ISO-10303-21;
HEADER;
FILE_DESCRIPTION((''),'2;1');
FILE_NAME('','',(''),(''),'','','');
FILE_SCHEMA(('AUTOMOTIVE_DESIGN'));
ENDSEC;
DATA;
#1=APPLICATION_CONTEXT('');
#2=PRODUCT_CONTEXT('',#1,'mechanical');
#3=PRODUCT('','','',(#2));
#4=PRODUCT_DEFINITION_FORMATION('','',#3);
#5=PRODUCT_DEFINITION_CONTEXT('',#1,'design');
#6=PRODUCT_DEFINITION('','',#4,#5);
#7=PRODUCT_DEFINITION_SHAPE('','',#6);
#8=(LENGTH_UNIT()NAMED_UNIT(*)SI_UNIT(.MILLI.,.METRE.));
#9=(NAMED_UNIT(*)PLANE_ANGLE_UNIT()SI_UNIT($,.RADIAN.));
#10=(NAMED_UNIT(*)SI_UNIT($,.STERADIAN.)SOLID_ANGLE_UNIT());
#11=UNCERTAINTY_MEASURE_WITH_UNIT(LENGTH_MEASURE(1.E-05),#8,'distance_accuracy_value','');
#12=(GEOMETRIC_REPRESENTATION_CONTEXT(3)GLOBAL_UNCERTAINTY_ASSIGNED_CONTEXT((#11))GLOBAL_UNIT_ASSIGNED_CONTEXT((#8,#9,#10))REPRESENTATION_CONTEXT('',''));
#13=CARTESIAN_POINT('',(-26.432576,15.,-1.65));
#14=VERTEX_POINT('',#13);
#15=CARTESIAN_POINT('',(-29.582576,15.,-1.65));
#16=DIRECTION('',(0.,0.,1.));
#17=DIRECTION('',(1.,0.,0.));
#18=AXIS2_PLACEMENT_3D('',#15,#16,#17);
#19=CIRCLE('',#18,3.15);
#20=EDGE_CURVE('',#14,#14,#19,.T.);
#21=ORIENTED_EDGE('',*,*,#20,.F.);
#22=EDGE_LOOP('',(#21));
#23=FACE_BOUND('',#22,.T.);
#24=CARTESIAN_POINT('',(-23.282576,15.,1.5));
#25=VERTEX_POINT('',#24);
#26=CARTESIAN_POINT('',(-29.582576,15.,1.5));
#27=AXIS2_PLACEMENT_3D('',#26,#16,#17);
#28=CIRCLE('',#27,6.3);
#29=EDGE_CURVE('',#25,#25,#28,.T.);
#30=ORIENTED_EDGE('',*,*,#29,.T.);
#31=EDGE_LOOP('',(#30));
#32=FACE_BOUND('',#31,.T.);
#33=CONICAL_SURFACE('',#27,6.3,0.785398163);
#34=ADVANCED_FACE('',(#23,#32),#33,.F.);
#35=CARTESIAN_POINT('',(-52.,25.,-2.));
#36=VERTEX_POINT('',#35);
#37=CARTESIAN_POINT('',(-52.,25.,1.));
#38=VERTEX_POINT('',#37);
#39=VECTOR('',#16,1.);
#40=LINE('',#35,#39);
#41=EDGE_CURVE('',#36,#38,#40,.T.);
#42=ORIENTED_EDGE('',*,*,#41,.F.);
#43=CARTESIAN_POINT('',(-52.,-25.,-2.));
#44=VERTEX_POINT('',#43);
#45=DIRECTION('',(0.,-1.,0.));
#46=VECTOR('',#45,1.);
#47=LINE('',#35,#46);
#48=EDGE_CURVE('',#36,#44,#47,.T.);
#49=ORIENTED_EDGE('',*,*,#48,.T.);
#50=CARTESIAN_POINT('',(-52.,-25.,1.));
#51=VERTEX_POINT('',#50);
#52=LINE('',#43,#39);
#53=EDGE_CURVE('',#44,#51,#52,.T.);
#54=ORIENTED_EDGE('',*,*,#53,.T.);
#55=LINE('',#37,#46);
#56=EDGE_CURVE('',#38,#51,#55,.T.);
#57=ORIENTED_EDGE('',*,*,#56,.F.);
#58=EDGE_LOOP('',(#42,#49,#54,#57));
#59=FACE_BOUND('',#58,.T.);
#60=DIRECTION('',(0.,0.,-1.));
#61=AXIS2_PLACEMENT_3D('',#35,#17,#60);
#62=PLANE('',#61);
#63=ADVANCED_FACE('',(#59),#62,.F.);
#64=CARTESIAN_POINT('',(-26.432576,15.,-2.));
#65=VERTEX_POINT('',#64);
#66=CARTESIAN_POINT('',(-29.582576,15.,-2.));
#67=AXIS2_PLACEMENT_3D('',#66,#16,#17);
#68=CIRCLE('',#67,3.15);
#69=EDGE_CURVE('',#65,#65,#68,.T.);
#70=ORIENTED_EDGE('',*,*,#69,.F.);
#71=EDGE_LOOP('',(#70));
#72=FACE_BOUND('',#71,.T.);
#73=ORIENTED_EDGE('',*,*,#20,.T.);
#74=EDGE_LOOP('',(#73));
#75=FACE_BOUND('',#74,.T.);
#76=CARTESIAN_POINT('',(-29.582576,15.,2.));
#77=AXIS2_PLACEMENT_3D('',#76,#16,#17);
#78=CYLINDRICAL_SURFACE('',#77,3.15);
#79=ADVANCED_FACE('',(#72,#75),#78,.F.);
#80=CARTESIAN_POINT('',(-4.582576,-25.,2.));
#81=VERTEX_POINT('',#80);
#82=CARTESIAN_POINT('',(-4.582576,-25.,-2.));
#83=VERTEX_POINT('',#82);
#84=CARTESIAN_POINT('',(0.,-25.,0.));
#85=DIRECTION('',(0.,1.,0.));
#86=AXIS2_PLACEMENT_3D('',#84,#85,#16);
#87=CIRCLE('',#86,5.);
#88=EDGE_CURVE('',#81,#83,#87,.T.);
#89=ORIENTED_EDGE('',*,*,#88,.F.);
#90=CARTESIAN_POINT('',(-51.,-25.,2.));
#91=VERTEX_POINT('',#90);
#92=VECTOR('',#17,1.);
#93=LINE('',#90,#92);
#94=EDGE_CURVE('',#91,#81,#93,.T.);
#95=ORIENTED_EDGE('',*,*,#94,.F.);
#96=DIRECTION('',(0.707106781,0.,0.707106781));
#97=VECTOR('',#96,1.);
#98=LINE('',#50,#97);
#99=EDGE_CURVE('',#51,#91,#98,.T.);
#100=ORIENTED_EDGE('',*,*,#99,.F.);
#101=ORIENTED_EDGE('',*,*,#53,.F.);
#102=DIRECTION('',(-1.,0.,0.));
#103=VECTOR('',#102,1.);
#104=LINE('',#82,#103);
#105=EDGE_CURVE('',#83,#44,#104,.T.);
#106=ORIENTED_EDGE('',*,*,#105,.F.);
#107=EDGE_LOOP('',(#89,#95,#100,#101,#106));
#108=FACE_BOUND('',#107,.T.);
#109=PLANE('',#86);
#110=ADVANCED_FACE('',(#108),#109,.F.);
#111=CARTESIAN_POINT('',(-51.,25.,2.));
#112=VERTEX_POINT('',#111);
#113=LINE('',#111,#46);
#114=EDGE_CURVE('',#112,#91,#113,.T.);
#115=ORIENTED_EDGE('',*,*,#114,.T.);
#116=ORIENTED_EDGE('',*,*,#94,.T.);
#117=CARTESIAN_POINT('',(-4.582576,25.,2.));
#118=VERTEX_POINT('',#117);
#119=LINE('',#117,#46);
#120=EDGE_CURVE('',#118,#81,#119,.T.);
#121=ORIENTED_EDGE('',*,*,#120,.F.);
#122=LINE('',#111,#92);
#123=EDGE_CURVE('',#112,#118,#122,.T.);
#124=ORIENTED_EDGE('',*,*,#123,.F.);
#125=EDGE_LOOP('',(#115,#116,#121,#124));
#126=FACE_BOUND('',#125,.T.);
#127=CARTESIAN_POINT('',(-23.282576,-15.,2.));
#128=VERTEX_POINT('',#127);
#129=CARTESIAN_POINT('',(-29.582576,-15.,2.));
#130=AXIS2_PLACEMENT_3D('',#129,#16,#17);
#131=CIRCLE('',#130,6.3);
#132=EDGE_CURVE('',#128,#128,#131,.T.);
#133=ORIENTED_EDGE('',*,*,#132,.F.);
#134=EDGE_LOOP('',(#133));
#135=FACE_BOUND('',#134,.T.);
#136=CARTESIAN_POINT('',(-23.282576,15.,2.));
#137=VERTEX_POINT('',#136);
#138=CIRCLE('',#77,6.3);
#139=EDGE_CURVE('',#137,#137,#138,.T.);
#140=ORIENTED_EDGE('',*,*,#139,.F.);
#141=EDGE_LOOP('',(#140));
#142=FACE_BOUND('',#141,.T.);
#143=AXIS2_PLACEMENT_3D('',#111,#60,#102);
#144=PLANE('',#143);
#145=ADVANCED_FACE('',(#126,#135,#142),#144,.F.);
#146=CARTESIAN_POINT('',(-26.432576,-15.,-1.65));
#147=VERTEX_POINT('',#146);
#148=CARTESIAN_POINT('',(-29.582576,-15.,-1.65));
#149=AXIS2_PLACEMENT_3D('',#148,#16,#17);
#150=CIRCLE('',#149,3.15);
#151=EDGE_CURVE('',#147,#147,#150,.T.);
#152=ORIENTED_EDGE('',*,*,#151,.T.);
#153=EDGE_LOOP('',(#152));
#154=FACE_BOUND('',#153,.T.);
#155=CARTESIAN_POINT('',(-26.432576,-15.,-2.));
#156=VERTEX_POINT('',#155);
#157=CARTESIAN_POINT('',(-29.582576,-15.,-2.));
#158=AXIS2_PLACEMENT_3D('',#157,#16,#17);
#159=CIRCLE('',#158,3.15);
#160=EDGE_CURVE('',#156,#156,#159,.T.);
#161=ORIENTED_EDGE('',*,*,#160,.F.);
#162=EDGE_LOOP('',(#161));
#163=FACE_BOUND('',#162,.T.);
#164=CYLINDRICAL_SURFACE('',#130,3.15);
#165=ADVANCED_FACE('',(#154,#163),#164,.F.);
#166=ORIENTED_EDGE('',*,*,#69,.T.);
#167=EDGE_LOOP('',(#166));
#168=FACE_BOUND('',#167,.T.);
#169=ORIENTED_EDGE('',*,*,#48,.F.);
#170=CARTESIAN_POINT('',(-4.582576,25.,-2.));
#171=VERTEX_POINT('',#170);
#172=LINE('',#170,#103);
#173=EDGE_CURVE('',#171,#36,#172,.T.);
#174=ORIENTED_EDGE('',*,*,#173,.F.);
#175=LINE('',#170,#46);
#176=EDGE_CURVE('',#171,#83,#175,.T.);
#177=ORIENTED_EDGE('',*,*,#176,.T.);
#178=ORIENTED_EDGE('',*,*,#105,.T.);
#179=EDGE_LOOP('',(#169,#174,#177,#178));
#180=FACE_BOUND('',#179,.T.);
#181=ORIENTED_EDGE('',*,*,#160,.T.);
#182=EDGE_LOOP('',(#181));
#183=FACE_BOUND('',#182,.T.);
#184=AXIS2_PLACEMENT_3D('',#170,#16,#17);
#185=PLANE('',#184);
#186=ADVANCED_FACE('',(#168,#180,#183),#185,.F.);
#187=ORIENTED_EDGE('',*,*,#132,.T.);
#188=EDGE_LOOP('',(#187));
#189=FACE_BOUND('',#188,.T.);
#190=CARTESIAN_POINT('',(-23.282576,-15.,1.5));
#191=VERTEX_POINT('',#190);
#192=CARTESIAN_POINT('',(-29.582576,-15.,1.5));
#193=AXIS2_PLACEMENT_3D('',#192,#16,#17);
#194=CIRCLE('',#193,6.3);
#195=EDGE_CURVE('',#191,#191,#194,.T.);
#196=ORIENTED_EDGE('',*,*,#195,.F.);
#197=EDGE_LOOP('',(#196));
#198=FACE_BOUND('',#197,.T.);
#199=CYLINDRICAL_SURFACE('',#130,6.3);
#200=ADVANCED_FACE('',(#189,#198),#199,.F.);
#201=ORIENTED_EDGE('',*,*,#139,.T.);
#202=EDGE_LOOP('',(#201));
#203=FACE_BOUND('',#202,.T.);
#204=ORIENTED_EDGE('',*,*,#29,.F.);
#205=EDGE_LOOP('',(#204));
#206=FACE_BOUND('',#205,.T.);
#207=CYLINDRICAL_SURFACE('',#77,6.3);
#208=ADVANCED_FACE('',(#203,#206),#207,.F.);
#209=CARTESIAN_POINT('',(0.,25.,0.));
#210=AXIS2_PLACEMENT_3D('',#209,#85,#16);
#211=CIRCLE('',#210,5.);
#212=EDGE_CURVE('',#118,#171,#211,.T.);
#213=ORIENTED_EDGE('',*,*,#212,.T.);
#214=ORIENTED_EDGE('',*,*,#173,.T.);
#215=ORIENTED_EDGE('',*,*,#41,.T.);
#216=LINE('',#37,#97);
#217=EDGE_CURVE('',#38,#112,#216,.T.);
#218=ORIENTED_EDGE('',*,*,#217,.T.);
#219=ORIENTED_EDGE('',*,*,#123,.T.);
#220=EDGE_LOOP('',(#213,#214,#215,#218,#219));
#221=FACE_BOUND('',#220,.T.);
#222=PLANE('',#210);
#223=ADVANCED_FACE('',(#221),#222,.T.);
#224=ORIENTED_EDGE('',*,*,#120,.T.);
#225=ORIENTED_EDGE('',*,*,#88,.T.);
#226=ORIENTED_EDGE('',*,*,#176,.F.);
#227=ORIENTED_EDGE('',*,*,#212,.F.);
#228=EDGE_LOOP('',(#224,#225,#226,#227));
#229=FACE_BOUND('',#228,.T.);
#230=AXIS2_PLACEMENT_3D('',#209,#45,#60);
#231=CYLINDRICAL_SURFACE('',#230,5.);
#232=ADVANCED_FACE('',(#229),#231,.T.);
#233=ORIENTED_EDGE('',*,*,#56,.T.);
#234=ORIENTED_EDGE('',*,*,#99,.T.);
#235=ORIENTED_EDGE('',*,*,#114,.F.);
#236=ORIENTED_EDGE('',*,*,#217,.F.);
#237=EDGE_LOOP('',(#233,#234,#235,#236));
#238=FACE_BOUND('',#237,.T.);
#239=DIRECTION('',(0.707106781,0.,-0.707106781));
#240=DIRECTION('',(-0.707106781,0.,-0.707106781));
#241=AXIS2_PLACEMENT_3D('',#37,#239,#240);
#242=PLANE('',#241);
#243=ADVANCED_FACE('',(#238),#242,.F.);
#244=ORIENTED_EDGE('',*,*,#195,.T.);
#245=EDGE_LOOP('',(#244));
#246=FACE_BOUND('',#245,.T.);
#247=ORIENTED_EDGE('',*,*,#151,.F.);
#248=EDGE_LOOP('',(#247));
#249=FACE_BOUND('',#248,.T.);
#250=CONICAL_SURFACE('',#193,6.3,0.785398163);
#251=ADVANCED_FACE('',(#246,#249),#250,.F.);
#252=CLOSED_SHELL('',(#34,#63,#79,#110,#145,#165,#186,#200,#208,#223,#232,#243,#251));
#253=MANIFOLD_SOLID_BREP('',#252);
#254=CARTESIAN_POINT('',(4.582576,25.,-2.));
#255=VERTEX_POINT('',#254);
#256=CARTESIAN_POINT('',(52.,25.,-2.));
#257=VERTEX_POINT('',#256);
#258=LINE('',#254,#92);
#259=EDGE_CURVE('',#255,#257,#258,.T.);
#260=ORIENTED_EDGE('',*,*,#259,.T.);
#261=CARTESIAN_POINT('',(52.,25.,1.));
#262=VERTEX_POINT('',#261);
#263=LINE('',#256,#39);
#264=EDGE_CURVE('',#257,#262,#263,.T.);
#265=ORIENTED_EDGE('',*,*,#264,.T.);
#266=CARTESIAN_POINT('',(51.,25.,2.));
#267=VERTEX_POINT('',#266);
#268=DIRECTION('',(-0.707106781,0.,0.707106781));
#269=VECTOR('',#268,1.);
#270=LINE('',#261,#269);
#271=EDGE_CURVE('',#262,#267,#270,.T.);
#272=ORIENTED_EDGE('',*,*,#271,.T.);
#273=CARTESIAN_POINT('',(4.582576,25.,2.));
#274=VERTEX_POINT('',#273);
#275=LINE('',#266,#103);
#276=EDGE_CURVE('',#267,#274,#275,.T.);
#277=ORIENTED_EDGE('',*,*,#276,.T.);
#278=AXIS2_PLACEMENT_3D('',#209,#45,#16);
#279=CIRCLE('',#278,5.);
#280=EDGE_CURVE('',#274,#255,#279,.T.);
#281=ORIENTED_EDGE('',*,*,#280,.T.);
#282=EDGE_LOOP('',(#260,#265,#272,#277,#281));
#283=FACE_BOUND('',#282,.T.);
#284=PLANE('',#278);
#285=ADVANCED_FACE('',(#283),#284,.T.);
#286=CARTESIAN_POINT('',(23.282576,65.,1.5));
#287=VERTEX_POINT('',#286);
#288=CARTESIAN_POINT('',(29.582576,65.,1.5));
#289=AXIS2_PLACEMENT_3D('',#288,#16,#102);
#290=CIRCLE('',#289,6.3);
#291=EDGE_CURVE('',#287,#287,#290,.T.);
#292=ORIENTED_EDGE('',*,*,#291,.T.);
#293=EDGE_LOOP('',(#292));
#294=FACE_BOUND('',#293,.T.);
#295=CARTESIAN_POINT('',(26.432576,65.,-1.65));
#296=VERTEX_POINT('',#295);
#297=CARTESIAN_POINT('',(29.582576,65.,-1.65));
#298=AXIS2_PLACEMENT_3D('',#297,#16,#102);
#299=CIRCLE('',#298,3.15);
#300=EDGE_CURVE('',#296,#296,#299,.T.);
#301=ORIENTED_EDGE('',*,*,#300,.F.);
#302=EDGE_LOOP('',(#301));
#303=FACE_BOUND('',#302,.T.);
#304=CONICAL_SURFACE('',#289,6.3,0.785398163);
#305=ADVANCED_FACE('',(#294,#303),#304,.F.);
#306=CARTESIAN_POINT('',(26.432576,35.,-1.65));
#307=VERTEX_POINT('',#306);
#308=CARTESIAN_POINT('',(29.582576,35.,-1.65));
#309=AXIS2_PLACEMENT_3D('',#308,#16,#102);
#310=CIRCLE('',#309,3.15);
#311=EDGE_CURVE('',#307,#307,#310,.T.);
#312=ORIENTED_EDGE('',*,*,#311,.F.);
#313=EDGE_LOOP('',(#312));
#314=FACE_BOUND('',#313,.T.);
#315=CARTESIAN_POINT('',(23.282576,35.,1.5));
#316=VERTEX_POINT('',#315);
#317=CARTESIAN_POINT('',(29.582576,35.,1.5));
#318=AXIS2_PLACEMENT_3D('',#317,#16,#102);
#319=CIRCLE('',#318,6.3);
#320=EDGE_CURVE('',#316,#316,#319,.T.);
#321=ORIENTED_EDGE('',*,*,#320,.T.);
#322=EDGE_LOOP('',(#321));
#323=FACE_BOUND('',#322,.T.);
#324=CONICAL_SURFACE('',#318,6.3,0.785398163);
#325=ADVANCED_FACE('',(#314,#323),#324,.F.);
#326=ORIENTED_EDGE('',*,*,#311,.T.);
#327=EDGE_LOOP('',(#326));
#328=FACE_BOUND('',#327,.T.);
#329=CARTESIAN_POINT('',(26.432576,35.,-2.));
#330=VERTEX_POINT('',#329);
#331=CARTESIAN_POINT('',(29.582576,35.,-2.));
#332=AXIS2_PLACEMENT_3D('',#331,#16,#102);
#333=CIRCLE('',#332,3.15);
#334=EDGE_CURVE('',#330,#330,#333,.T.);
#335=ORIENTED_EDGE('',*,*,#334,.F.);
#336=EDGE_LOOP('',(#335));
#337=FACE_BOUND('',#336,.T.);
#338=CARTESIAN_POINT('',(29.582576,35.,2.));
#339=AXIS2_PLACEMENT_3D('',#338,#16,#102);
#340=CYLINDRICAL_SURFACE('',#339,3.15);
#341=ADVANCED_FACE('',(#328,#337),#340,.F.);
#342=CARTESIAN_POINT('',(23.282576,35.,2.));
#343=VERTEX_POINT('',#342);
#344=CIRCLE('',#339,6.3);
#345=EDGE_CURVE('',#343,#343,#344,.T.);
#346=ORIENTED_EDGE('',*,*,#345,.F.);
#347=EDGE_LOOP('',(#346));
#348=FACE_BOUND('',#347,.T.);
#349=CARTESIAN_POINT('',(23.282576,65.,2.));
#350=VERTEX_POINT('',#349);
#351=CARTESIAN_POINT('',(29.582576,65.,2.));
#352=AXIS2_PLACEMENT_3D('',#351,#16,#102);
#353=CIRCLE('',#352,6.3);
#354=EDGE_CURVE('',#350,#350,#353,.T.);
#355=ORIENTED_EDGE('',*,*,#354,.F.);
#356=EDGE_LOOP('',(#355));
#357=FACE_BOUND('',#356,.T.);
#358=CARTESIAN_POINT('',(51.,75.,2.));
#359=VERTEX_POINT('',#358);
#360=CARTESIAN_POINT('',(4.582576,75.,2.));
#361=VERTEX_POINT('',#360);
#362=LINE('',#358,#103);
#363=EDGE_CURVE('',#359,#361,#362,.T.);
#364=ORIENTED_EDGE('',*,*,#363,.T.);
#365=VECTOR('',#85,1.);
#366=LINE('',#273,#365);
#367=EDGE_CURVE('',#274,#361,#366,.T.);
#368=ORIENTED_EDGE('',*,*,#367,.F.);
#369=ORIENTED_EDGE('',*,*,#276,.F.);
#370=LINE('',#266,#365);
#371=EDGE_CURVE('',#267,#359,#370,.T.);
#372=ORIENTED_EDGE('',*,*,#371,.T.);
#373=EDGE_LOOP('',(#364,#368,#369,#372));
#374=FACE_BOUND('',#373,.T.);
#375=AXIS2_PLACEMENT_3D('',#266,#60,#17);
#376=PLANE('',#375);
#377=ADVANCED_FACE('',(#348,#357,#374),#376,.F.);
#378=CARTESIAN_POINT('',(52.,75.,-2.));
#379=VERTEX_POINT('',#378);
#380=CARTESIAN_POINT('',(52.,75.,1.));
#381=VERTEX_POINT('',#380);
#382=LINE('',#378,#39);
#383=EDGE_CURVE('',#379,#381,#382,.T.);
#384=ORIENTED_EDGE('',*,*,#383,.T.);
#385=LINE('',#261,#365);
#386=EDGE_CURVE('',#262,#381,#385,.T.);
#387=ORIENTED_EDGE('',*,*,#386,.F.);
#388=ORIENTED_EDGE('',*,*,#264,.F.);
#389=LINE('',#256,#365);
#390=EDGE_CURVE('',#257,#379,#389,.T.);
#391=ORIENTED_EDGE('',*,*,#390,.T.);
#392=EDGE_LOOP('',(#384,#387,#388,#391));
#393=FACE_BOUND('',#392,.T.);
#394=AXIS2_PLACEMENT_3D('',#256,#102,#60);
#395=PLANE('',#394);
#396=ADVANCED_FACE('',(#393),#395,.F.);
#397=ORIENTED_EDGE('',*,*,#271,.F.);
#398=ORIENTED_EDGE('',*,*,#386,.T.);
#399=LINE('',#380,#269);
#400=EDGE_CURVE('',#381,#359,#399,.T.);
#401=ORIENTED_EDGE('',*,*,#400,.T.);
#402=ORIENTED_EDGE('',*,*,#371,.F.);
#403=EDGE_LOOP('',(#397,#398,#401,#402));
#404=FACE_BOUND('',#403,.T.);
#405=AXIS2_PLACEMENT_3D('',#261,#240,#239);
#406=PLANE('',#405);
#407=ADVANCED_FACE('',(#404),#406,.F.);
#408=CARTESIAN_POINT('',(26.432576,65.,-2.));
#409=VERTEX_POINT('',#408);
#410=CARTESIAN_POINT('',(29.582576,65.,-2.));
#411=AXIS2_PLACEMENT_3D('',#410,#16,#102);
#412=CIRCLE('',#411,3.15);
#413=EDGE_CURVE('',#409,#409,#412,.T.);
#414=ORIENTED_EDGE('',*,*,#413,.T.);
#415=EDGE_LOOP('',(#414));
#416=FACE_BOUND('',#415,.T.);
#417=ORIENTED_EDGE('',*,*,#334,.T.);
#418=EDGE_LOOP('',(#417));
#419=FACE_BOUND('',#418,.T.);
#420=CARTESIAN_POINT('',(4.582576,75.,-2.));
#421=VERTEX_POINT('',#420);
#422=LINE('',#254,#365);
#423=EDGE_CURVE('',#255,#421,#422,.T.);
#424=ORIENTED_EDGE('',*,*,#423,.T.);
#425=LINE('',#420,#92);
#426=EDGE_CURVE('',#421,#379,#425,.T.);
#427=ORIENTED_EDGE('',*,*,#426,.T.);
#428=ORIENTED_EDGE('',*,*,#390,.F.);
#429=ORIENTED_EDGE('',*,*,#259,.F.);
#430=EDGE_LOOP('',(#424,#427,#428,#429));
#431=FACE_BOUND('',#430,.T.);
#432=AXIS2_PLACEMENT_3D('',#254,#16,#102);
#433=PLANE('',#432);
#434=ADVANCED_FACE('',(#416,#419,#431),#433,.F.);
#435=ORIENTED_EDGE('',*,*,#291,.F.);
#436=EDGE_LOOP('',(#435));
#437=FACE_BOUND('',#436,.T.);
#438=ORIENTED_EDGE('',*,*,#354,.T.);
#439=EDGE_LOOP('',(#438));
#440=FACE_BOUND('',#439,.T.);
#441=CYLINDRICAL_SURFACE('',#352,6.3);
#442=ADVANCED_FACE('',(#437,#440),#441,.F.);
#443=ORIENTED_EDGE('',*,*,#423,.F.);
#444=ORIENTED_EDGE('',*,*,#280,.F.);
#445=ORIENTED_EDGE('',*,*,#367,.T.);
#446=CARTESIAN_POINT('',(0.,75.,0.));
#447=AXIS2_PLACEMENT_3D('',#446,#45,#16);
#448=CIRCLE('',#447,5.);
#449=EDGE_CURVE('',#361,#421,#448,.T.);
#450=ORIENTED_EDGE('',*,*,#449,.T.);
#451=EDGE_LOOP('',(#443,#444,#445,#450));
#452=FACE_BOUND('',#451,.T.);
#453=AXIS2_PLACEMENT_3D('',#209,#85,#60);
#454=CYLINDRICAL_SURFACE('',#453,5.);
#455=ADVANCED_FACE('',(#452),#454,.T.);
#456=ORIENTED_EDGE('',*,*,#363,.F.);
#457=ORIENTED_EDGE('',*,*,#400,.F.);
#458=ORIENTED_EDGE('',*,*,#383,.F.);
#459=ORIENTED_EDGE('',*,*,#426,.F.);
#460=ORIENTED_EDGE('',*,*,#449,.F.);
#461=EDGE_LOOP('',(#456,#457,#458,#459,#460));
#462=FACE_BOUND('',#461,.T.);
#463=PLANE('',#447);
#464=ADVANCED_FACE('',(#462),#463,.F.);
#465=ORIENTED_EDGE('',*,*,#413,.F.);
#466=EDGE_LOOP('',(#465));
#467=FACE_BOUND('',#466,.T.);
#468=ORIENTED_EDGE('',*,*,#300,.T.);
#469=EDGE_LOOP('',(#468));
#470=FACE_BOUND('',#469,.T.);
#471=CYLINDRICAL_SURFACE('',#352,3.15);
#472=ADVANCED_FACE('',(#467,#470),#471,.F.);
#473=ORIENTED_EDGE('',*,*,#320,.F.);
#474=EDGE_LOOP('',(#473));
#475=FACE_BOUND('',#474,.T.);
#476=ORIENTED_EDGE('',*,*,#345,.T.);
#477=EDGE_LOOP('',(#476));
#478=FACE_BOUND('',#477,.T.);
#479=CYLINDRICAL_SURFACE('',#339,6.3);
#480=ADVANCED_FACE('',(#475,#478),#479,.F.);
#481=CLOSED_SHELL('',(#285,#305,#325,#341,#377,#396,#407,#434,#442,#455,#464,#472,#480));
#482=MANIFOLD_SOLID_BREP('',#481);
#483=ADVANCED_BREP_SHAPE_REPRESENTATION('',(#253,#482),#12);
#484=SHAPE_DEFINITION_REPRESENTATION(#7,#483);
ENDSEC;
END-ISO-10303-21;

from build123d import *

# Parameters (mm, degrees)
EXTRUDE_1_DEPTH            = 25
HOLE_WIZARD_M61_AT_2_COUNT = 2
HOLE_WIZARD_M61_AT_2_PITCH = 30
PATTERN_CIRCULAR_1_COUNT   = 2


with BuildPart() as part:
    # Эскиз1 → Бобышка-Вытянуть1 (new body, symmetric)
    with BuildSketch(Plane(origin=(0, 0, 0), x_dir=(1, 0, 0), z_dir=(0, 1, 0))):
        with BuildLine():
            Line((-4.582575695, 2), (-52, 2))
            Line((-52, 2), (-52, -1))
            Line((-52, -1), (-51, -2))
            Line((-51, -2), (-4.582575695, -2))
            ThreePointArc((-4.582575695, -2), (5, 0), (-4.582575695, 2))
        make_face()
    extrude(amount=EXTRUDE_1_DEPTH, both=True)

    # Эскиз6 → Зенковка для винта с полупотайной головкой M61 (revolve, cut)
    with BuildSketch(Plane(origin=(-29.582575695, 15, 2), x_dir=(0, -1, 0), z_dir=(1, 0, 0))):
        Polygon((0, 0), (0, 7), (3.15, 7), (3.15, 3.65), (6.3, 0.5), (6.3, 0), align=None)
    hole_wizard_m61 = revolve(axis=Axis((-29.582575695, 15, 8.35), (0, 0, -1)), mode=Mode.SUBTRACT)

    # Зенковка для винта с полупотайной головкой M61 at 2: Зенковка для винта с полупотайной головкой M61 ×2
    with Locations(*[(0, -i * HOLE_WIZARD_M61_AT_2_PITCH, 0) for i in range(1, HOLE_WIZARD_M61_AT_2_COUNT)]):
        add(hole_wizard_m61, mode=Mode.SUBTRACT)


with BuildPart() as pattern_circular_1_1:
    # Круговой массив1: pattern copy
    add(part.part.rotate(Axis((0, 25, 0), (0, 0, 1)), 1 * 360 / PATTERN_CIRCULAR_1_COUNT))


solid = Compound([part.part, pattern_circular_1_1.part])
